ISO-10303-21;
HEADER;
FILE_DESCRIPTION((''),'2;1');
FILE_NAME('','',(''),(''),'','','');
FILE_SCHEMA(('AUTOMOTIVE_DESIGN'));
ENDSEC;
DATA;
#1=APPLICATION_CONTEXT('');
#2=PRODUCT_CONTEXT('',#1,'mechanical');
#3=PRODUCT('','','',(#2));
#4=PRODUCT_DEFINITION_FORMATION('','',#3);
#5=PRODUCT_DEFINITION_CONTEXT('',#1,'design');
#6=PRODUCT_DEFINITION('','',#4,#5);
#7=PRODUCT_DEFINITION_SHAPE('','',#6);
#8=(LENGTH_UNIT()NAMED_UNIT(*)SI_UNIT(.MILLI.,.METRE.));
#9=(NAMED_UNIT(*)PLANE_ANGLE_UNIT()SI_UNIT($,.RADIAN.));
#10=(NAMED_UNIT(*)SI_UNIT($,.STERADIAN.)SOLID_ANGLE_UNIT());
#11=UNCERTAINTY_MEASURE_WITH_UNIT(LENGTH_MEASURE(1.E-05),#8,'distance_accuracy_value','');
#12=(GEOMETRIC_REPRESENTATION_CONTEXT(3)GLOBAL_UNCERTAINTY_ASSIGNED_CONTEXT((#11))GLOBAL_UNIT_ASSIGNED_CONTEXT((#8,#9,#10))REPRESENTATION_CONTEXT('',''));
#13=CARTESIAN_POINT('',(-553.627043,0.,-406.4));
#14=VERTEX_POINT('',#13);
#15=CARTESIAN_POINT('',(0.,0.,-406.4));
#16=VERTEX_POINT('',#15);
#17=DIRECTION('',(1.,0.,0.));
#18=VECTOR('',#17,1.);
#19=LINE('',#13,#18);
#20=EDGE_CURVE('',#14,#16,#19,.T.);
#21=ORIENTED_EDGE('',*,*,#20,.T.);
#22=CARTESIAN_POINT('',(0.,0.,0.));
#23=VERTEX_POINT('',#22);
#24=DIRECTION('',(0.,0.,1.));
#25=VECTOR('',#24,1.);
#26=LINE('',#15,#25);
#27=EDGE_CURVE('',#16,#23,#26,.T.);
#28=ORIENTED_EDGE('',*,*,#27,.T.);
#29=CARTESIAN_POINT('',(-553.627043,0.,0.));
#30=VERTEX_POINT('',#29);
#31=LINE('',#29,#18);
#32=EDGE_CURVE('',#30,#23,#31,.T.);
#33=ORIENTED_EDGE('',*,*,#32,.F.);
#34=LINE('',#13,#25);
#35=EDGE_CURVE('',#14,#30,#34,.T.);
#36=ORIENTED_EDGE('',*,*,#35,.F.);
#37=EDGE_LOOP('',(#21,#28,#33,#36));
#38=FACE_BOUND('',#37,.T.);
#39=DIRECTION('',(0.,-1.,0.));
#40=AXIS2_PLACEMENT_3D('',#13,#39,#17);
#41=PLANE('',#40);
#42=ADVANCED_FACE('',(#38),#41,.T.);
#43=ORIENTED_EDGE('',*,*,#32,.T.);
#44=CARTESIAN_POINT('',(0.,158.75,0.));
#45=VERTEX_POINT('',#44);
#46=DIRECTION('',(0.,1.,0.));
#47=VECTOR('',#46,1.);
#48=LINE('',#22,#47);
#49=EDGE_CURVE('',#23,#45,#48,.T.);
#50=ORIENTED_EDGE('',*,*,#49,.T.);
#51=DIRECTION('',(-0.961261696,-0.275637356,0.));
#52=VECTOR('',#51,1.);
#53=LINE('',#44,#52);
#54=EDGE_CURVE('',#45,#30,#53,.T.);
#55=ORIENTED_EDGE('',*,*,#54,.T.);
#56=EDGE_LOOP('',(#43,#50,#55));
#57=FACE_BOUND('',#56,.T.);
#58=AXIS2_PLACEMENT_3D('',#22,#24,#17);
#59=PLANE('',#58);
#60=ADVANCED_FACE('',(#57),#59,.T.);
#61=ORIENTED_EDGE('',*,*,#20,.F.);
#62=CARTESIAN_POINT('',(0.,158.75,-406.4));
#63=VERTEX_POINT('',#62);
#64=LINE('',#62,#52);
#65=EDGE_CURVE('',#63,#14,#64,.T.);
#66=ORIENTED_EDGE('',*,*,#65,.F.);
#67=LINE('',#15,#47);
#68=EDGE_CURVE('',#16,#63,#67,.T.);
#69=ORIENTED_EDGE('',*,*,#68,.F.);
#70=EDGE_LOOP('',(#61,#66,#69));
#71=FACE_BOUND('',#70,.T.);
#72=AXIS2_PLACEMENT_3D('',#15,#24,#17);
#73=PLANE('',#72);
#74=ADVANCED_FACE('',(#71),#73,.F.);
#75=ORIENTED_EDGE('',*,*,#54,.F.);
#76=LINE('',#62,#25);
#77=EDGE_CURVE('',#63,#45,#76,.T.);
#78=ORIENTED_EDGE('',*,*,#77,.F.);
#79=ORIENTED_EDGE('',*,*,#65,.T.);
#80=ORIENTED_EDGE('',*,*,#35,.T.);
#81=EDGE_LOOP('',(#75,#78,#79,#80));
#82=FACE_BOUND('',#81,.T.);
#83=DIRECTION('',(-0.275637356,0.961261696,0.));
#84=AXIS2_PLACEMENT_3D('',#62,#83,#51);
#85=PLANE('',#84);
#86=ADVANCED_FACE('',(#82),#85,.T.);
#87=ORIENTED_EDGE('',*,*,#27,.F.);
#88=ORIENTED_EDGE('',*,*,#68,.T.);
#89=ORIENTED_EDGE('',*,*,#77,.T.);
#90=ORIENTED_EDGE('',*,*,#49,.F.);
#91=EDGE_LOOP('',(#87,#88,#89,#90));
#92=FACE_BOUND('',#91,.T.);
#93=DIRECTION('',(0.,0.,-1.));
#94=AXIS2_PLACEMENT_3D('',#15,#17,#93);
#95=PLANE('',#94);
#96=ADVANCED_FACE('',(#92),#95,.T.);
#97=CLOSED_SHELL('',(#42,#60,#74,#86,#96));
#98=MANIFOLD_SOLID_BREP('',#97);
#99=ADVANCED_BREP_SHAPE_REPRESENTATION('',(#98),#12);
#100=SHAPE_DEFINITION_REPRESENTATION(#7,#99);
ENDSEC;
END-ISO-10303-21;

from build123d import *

# Parameters (mm, degrees)
BOSS_EXTRUDE1_DEPTH = 406.4


with BuildPart() as part:
    # Sketch1 → Boss-Extrude1 (new body)
    with BuildSketch(Plane.XY):
        Polygon((0, 0), (0, 158.75), (-553.62704296, 0), align=None)
    extrude(amount=-BOSS_EXTRUDE1_DEPTH)


solid = part.part
